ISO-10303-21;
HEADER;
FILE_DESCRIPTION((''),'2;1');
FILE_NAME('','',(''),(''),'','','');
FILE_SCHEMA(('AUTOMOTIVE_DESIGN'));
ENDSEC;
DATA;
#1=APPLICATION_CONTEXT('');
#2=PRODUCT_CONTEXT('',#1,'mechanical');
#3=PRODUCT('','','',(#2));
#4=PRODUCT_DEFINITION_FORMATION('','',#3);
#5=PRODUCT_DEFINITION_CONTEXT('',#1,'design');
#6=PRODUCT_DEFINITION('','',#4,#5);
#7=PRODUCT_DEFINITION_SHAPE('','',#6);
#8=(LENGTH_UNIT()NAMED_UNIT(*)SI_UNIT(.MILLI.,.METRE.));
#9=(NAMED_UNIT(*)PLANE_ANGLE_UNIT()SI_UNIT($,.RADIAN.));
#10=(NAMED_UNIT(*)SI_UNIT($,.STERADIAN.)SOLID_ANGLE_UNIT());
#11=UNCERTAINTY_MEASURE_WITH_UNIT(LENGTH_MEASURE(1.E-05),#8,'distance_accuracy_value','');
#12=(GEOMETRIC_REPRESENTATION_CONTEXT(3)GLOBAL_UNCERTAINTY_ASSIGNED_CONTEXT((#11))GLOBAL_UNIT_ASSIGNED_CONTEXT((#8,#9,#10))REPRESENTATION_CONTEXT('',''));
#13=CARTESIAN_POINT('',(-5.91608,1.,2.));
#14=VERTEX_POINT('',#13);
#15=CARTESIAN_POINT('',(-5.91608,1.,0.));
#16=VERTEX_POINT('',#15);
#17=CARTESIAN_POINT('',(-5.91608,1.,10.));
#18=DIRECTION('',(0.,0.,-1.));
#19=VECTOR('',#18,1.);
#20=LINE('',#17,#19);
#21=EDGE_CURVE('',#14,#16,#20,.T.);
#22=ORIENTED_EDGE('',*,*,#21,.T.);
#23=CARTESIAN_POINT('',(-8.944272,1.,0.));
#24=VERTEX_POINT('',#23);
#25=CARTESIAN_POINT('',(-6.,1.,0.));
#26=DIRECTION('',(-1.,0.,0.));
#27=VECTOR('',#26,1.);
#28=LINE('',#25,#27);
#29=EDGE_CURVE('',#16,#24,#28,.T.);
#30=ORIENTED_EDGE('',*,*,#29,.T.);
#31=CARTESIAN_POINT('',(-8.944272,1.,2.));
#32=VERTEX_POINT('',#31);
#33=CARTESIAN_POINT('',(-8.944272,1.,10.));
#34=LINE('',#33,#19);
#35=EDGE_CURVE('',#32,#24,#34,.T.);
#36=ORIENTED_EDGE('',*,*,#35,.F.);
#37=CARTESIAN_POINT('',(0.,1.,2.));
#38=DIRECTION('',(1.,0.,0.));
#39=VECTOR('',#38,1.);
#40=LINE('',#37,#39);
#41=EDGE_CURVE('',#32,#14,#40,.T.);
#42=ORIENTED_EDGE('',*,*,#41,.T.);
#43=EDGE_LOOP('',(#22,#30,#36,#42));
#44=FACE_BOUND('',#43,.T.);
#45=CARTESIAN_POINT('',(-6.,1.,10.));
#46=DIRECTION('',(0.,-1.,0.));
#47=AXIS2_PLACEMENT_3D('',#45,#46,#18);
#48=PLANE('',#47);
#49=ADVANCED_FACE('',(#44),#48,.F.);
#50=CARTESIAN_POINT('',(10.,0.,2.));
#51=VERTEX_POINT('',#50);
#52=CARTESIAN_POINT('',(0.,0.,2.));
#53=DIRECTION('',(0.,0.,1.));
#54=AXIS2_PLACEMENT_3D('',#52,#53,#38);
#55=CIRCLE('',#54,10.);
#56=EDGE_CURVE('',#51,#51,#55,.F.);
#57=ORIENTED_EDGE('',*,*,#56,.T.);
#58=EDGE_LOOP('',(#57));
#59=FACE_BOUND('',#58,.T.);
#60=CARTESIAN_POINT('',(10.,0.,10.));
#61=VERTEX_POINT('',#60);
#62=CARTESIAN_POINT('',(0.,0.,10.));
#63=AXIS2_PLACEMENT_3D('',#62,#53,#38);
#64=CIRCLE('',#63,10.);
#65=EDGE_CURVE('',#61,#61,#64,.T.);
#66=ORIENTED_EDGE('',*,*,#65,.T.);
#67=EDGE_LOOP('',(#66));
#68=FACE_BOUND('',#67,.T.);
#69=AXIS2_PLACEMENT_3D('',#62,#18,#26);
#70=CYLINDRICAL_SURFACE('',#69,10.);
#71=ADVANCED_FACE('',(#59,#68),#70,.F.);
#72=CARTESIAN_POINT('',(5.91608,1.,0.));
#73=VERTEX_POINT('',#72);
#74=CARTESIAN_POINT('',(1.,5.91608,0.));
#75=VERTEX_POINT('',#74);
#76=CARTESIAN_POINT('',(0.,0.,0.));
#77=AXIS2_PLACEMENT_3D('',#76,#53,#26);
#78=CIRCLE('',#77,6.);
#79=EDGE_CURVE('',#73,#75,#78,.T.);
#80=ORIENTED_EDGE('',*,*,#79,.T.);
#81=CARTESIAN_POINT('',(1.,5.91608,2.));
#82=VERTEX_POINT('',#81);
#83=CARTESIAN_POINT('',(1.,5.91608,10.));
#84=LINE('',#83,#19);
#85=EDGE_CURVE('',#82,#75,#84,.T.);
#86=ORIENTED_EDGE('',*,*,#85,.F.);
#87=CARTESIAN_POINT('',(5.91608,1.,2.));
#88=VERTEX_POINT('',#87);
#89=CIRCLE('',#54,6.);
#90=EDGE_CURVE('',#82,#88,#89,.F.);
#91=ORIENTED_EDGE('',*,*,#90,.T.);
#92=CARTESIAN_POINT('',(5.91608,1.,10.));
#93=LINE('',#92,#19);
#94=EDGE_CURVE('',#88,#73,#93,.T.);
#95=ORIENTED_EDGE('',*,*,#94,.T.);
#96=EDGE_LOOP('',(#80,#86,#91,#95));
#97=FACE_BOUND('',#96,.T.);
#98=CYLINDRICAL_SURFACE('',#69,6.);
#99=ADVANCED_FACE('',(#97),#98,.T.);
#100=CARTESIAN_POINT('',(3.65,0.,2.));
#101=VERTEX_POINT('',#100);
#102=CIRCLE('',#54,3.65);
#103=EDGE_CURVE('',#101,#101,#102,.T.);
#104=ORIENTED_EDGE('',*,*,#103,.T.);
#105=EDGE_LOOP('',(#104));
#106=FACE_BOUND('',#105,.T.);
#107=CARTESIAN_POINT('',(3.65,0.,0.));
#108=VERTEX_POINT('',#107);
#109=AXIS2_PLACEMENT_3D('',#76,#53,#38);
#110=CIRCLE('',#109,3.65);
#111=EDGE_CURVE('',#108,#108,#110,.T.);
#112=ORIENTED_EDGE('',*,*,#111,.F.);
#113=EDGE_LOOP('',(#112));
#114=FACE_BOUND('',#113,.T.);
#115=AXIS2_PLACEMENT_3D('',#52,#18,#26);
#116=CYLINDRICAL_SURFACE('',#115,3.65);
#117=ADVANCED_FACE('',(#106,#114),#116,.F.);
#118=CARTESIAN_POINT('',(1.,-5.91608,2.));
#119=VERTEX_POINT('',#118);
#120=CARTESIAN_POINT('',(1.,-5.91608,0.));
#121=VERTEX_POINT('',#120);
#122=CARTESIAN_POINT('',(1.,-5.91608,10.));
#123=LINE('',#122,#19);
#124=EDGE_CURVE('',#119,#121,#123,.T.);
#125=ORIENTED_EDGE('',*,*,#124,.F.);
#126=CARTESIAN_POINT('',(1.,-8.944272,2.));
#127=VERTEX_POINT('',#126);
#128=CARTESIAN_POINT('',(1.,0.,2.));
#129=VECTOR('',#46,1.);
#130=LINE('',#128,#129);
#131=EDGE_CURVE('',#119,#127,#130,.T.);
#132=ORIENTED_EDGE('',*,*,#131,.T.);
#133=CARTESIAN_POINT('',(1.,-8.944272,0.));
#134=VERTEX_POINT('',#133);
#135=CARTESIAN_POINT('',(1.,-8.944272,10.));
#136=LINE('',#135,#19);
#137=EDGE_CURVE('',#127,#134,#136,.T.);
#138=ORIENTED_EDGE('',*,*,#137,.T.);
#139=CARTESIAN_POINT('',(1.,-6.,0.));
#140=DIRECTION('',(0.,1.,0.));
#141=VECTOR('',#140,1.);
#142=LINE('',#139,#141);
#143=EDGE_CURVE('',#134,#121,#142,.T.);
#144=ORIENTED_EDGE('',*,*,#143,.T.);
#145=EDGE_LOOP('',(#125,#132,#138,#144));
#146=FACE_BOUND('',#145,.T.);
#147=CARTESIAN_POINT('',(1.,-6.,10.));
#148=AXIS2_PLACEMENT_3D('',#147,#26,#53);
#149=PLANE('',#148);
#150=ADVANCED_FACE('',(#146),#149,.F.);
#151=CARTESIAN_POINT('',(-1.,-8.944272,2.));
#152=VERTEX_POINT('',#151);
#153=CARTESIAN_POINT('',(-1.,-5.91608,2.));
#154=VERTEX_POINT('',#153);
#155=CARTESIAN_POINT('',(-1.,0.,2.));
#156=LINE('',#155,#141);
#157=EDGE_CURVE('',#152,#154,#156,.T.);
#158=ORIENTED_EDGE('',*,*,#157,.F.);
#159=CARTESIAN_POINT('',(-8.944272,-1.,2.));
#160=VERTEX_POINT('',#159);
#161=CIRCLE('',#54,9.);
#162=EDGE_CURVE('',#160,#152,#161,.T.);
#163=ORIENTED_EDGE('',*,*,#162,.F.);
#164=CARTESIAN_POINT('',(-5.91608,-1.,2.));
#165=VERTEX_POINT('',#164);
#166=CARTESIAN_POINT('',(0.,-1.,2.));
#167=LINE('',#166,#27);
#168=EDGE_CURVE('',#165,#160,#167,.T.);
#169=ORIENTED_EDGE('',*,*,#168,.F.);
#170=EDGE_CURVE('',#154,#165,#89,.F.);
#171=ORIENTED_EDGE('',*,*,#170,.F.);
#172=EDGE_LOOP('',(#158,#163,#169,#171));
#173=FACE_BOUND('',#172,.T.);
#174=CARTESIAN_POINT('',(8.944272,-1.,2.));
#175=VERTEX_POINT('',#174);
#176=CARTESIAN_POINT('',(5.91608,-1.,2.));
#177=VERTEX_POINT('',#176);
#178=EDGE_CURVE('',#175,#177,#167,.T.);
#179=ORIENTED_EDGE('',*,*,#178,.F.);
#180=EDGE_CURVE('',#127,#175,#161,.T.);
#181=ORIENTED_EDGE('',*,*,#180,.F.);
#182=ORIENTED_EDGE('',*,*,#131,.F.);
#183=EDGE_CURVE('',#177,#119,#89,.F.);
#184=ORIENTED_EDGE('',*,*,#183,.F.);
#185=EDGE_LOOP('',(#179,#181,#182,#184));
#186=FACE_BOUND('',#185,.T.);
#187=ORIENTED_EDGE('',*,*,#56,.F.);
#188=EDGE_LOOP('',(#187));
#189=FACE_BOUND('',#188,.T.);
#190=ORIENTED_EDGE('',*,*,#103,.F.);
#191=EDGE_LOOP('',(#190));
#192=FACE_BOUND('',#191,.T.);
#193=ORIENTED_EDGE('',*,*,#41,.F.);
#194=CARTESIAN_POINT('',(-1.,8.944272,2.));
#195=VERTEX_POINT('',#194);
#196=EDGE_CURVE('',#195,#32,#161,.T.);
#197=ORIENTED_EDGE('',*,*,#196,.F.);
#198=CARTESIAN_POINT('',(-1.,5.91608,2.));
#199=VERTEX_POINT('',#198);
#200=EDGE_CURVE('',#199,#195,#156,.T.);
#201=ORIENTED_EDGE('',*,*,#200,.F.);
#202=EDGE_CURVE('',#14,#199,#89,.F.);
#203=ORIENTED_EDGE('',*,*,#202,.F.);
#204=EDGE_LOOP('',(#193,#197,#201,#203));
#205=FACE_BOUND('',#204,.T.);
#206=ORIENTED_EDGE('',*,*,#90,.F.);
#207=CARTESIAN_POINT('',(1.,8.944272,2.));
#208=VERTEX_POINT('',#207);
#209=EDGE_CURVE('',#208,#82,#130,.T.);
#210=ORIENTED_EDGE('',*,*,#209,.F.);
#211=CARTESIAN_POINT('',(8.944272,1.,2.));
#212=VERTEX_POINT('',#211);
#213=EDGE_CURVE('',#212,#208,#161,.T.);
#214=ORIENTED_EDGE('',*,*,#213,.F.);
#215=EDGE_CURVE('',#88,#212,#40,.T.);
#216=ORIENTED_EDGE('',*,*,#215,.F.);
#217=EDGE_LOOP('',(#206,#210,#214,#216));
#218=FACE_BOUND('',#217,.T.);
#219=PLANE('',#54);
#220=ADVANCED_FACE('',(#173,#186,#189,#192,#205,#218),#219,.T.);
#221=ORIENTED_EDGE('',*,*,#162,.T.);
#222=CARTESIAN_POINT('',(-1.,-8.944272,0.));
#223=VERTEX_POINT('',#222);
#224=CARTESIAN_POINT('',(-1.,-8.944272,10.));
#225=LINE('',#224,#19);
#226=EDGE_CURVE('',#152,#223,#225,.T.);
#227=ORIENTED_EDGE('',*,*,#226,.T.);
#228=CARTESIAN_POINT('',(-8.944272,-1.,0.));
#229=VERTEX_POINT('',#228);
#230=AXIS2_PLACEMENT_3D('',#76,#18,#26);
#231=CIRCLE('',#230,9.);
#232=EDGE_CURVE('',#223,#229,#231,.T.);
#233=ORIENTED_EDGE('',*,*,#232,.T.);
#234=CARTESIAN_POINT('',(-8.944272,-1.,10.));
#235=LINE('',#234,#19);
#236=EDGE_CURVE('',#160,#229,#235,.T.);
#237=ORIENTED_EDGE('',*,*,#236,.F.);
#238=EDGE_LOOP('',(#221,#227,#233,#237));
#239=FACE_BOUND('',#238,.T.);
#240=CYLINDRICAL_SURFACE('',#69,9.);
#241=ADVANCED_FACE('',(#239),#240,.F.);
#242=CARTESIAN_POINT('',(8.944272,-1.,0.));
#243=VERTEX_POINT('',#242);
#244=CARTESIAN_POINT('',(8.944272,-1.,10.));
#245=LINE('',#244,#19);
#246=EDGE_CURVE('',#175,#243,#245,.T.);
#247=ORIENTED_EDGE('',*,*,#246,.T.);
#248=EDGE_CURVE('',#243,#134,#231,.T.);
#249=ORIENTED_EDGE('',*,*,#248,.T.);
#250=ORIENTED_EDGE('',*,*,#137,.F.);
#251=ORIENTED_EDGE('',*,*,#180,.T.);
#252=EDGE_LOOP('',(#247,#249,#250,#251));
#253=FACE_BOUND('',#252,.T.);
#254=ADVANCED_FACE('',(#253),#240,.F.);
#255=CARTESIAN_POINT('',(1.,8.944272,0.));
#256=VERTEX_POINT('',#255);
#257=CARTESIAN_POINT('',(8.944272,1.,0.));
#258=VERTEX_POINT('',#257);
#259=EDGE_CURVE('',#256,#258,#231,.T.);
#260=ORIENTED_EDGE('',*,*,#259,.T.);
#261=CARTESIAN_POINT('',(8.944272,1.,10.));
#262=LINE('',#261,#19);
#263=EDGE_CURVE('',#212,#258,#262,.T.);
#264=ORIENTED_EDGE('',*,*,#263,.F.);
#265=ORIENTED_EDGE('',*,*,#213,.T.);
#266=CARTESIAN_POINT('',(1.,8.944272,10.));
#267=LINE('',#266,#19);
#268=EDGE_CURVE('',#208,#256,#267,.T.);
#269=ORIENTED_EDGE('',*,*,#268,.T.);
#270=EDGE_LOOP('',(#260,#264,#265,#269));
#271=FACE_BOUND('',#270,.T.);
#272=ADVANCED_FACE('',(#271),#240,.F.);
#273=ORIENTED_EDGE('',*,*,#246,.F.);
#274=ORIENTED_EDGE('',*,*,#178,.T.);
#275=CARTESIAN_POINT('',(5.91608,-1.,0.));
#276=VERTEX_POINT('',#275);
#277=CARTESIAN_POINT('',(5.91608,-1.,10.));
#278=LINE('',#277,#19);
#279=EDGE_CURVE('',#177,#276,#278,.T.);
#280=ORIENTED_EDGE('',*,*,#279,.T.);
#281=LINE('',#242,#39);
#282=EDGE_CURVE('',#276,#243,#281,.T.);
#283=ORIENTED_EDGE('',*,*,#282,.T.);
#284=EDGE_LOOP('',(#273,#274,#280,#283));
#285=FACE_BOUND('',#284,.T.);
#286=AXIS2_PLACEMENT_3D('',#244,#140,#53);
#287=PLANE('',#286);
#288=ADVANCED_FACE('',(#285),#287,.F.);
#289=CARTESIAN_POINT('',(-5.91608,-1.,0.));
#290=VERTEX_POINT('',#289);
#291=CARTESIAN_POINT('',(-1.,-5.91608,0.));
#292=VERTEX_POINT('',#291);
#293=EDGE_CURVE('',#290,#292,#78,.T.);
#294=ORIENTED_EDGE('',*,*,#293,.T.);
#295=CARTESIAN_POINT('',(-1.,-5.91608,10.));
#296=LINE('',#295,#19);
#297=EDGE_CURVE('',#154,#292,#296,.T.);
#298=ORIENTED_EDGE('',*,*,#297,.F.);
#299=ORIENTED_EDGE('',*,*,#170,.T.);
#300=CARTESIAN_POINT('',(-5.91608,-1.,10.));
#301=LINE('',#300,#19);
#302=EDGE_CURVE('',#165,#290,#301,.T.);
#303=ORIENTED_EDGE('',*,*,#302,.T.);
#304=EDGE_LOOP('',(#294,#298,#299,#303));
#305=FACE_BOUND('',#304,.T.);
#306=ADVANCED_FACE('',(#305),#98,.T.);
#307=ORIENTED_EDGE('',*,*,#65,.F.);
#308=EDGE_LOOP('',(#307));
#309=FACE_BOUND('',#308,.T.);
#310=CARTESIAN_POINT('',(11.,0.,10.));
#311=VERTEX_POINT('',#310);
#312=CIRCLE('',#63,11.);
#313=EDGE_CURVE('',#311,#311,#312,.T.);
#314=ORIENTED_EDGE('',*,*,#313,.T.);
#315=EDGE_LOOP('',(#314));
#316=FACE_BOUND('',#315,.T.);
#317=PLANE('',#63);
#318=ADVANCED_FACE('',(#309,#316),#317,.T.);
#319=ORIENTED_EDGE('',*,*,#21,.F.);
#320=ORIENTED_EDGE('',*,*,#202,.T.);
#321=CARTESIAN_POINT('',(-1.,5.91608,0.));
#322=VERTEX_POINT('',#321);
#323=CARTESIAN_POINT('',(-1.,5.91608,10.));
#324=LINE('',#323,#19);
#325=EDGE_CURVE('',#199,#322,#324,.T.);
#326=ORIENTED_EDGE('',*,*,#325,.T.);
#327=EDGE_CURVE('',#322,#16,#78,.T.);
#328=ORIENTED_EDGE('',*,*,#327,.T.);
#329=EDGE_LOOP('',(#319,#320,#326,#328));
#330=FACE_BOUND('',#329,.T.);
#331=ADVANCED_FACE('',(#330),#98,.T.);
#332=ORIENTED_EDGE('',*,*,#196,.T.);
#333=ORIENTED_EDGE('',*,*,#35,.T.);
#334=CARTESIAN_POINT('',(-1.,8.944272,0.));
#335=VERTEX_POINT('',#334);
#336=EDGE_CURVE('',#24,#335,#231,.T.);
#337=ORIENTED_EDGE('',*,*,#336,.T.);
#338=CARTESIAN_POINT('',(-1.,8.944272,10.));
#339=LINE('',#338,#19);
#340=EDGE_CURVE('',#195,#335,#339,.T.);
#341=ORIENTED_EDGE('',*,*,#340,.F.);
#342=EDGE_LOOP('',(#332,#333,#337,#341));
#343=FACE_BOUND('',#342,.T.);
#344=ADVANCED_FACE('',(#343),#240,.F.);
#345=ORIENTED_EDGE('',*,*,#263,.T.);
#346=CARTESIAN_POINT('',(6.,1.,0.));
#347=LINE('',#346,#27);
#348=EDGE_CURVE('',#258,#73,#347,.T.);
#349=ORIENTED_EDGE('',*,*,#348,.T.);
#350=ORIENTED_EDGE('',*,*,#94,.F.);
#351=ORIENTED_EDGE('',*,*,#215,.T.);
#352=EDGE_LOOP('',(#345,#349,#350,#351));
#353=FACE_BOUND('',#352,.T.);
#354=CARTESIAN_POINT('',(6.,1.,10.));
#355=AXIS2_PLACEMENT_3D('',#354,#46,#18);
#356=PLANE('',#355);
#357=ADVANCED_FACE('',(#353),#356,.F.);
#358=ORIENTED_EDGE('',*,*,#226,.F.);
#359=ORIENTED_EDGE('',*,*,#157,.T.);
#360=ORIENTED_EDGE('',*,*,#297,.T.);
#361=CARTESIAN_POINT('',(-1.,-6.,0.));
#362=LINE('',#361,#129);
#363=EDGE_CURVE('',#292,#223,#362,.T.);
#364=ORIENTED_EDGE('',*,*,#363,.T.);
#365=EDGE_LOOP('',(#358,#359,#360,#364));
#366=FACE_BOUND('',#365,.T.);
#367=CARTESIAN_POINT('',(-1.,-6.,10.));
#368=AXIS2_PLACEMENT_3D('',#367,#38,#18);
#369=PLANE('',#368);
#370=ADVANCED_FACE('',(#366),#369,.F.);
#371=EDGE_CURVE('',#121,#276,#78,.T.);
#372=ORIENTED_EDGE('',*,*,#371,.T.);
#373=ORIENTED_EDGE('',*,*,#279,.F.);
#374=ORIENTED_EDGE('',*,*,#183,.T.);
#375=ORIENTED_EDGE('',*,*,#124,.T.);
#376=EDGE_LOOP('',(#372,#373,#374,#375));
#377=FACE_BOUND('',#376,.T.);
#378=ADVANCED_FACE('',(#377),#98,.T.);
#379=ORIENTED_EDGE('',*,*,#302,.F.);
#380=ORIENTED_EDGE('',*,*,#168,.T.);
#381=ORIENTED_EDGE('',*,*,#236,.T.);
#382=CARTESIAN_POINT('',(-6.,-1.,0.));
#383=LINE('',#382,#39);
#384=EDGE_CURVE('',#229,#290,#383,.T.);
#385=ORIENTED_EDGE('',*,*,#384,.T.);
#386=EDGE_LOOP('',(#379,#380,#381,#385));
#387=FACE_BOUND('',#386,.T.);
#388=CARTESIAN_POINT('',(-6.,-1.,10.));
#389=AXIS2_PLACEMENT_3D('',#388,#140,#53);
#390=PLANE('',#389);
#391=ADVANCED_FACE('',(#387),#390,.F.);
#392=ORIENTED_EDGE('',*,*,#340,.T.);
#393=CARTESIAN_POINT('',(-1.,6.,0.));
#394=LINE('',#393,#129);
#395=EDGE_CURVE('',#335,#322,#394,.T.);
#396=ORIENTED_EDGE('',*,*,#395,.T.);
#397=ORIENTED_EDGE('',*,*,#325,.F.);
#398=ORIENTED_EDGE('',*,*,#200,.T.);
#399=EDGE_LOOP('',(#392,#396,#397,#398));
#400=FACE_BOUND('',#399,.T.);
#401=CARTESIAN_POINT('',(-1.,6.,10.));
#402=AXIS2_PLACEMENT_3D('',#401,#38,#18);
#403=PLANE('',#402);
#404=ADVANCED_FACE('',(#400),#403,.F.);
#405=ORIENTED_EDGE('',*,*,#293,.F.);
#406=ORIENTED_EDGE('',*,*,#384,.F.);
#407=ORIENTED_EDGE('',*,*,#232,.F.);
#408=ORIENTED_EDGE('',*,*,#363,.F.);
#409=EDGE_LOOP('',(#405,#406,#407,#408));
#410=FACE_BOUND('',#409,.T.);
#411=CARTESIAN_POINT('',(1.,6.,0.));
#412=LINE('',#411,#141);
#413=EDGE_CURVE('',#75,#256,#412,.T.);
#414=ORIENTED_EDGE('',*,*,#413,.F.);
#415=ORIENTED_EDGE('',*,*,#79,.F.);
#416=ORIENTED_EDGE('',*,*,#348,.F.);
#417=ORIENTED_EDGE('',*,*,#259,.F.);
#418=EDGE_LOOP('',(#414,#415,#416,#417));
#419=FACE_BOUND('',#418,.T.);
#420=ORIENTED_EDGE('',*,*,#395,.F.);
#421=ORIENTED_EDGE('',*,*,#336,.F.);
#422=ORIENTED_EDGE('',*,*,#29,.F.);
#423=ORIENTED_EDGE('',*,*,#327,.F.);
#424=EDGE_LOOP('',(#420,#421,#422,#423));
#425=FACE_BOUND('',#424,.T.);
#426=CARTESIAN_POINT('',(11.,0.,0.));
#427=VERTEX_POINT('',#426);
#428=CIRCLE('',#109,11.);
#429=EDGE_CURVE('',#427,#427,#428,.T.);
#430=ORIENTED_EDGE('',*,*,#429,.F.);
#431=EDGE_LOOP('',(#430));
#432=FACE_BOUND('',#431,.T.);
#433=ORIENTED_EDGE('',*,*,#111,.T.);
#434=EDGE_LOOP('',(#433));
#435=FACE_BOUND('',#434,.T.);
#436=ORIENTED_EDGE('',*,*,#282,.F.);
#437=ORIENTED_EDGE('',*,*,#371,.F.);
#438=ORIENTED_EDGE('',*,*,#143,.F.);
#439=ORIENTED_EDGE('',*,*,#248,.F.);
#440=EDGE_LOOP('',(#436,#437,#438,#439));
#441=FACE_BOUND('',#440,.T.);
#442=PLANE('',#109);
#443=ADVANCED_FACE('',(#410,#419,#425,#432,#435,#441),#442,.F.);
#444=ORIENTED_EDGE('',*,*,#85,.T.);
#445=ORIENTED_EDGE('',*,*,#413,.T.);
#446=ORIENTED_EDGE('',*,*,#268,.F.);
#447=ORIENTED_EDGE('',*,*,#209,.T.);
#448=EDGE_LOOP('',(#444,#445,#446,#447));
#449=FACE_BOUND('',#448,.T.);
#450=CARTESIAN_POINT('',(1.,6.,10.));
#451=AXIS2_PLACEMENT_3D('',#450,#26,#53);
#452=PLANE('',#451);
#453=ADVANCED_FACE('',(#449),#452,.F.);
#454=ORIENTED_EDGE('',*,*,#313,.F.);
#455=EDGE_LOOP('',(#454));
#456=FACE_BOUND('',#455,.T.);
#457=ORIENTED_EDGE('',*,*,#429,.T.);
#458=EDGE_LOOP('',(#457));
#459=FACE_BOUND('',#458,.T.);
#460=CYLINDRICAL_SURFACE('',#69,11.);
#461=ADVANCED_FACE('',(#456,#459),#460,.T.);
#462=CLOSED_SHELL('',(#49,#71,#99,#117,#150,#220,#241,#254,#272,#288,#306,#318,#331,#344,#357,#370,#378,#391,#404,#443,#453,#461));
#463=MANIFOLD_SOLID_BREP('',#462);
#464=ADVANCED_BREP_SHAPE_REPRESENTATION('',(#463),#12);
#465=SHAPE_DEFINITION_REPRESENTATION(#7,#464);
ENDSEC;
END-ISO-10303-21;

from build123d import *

# Parameters (mm, degrees)
ESBO_O1_R                = 10
ESBO_O1_R_2              = 3.65
RESSALTO_EXTRUS_O1_DEPTH = 2
ESBO_O2_R                = 11
ESBO_O2_R_2              = 10
RESSALTO_EXTRUS_O2_DEPTH = 10
CORTE_EXTRUS_O1_DEPTH    = 10


with BuildPart() as part:
    # Esboço1 → Ressalto-extrusão1 (new body)
    with BuildSketch(Plane.XY):
        Circle(ESBO_O1_R)
        Circle(ESBO_O1_R_2, mode=Mode.SUBTRACT)
    extrude(amount=RESSALTO_EXTRUS_O1_DEPTH)

    # Esboço2 → Ressalto-extrusão2 (add)
    with BuildSketch(Plane.XY):
        Circle(ESBO_O2_R)
        Circle(ESBO_O2_R_2, mode=Mode.SUBTRACT)
    extrude(amount=RESSALTO_EXTRUS_O2_DEPTH)

    # Esboço3 → Corte-extrusão1 (cut)
    with BuildSketch(Plane(origin=(0, 0, 0), x_dir=(-1, 0, 0), z_dir=(0, 0, -1))):
        with BuildLine():
            Line((-8.94427191, -1), (-6, -1))
            Line((-6, -1), (-5.916079783, -1))
            ThreePointArc((-5.916079783, -1), (-4.242640687, -4.242640687), (-1, -5.916079783))
            Line((-1, -5.916079783), (-1, -6))
            Line((-1, -6), (-1, -8.94427191))
            ThreePointArc((-1, -8.94427191), (-6.363961031, -6.363961031), (-8.94427191, -1))
        make_face()
        with BuildLine():
            Line((-8.94427191, 1), (-6, 1))
            Line((-6, 1), (-5.916079783, 1))
            ThreePointArc((-5.916079783, 1), (-4.242640687, 4.242640687), (-1, 5.916079783))
            Line((-1, 5.916079783), (-1, 6))
            Line((-1, 6), (-1, 8.94427191))
            ThreePointArc((-1, 8.94427191), (-6.363961031, 6.363961031), (-8.94427191, 1))
        make_face()
        with BuildLine():
            Line((1, 6), (1, 8.94427191))
            ThreePointArc((1, 8.94427191), (6.363961031, 6.363961031), (8.94427191, 1))
            Line((8.94427191, 1), (6, 1))
            Line((6, 1), (5.916079783, 1))
            ThreePointArc((5.916079783, 1), (4.242640687, 4.242640687), (1, 5.916079783))
            Line((1, 5.916079783), (1, 6))
        make_face()
        with BuildLine():
            Line((6, -1), (8.94427191, -1))
            ThreePointArc((8.94427191, -1), (6.363961031, -6.363961031), (1, -8.94427191))
            Line((1, -8.94427191), (1, -6))
            Line((1, -6), (1, -5.916079783))
            ThreePointArc((1, -5.916079783), (4.242640687, -4.242640687), (5.916079783, -1))
            Line((5.916079783, -1), (6, -1))
        make_face()
    extrude(amount=-CORTE_EXTRUS_O1_DEPTH, mode=Mode.SUBTRACT)


solid = part.part
